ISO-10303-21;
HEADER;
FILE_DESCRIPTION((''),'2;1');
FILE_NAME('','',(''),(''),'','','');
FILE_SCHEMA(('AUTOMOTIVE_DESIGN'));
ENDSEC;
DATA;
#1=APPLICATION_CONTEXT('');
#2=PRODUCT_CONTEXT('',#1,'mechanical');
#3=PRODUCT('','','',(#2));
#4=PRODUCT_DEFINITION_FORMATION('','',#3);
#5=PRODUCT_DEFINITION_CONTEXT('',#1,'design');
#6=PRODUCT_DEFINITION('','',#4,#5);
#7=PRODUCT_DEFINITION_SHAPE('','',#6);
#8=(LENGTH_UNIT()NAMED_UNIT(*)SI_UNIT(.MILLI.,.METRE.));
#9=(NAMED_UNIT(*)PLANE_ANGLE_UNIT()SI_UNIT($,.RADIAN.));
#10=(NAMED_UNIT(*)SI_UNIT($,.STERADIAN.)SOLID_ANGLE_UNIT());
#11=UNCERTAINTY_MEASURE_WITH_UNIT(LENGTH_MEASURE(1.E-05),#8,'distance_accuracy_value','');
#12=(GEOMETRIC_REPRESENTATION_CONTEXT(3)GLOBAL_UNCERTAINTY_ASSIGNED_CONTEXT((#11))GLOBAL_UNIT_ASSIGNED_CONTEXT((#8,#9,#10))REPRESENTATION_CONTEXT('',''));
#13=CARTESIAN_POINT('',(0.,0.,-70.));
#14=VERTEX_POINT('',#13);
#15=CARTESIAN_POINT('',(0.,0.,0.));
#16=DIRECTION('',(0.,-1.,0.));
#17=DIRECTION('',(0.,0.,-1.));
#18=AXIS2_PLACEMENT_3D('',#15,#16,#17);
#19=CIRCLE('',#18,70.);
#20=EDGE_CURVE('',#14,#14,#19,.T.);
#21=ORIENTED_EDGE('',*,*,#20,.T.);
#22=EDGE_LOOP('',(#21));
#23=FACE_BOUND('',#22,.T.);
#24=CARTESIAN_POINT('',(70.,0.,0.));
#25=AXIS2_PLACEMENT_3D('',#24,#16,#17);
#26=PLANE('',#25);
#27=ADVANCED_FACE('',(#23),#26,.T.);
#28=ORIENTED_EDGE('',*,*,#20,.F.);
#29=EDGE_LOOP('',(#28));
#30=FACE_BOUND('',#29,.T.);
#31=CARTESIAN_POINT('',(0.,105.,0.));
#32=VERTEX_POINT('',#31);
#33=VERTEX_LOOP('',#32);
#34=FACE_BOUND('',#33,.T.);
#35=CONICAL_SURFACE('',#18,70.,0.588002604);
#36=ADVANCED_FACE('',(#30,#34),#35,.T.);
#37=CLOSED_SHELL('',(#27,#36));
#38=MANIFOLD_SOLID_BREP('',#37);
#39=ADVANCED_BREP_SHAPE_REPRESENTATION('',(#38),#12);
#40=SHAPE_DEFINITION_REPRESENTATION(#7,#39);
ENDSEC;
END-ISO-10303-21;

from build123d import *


with BuildPart() as part:
    # Sketch1 → Revolve1 (revolve)
    with BuildSketch(Plane.XY):
        Polygon((0, 0), (0, 105), (70, 0), align=None)
    revolve(axis=Axis((0, 0, 0), (0, 1, 0)))


solid = part.part
